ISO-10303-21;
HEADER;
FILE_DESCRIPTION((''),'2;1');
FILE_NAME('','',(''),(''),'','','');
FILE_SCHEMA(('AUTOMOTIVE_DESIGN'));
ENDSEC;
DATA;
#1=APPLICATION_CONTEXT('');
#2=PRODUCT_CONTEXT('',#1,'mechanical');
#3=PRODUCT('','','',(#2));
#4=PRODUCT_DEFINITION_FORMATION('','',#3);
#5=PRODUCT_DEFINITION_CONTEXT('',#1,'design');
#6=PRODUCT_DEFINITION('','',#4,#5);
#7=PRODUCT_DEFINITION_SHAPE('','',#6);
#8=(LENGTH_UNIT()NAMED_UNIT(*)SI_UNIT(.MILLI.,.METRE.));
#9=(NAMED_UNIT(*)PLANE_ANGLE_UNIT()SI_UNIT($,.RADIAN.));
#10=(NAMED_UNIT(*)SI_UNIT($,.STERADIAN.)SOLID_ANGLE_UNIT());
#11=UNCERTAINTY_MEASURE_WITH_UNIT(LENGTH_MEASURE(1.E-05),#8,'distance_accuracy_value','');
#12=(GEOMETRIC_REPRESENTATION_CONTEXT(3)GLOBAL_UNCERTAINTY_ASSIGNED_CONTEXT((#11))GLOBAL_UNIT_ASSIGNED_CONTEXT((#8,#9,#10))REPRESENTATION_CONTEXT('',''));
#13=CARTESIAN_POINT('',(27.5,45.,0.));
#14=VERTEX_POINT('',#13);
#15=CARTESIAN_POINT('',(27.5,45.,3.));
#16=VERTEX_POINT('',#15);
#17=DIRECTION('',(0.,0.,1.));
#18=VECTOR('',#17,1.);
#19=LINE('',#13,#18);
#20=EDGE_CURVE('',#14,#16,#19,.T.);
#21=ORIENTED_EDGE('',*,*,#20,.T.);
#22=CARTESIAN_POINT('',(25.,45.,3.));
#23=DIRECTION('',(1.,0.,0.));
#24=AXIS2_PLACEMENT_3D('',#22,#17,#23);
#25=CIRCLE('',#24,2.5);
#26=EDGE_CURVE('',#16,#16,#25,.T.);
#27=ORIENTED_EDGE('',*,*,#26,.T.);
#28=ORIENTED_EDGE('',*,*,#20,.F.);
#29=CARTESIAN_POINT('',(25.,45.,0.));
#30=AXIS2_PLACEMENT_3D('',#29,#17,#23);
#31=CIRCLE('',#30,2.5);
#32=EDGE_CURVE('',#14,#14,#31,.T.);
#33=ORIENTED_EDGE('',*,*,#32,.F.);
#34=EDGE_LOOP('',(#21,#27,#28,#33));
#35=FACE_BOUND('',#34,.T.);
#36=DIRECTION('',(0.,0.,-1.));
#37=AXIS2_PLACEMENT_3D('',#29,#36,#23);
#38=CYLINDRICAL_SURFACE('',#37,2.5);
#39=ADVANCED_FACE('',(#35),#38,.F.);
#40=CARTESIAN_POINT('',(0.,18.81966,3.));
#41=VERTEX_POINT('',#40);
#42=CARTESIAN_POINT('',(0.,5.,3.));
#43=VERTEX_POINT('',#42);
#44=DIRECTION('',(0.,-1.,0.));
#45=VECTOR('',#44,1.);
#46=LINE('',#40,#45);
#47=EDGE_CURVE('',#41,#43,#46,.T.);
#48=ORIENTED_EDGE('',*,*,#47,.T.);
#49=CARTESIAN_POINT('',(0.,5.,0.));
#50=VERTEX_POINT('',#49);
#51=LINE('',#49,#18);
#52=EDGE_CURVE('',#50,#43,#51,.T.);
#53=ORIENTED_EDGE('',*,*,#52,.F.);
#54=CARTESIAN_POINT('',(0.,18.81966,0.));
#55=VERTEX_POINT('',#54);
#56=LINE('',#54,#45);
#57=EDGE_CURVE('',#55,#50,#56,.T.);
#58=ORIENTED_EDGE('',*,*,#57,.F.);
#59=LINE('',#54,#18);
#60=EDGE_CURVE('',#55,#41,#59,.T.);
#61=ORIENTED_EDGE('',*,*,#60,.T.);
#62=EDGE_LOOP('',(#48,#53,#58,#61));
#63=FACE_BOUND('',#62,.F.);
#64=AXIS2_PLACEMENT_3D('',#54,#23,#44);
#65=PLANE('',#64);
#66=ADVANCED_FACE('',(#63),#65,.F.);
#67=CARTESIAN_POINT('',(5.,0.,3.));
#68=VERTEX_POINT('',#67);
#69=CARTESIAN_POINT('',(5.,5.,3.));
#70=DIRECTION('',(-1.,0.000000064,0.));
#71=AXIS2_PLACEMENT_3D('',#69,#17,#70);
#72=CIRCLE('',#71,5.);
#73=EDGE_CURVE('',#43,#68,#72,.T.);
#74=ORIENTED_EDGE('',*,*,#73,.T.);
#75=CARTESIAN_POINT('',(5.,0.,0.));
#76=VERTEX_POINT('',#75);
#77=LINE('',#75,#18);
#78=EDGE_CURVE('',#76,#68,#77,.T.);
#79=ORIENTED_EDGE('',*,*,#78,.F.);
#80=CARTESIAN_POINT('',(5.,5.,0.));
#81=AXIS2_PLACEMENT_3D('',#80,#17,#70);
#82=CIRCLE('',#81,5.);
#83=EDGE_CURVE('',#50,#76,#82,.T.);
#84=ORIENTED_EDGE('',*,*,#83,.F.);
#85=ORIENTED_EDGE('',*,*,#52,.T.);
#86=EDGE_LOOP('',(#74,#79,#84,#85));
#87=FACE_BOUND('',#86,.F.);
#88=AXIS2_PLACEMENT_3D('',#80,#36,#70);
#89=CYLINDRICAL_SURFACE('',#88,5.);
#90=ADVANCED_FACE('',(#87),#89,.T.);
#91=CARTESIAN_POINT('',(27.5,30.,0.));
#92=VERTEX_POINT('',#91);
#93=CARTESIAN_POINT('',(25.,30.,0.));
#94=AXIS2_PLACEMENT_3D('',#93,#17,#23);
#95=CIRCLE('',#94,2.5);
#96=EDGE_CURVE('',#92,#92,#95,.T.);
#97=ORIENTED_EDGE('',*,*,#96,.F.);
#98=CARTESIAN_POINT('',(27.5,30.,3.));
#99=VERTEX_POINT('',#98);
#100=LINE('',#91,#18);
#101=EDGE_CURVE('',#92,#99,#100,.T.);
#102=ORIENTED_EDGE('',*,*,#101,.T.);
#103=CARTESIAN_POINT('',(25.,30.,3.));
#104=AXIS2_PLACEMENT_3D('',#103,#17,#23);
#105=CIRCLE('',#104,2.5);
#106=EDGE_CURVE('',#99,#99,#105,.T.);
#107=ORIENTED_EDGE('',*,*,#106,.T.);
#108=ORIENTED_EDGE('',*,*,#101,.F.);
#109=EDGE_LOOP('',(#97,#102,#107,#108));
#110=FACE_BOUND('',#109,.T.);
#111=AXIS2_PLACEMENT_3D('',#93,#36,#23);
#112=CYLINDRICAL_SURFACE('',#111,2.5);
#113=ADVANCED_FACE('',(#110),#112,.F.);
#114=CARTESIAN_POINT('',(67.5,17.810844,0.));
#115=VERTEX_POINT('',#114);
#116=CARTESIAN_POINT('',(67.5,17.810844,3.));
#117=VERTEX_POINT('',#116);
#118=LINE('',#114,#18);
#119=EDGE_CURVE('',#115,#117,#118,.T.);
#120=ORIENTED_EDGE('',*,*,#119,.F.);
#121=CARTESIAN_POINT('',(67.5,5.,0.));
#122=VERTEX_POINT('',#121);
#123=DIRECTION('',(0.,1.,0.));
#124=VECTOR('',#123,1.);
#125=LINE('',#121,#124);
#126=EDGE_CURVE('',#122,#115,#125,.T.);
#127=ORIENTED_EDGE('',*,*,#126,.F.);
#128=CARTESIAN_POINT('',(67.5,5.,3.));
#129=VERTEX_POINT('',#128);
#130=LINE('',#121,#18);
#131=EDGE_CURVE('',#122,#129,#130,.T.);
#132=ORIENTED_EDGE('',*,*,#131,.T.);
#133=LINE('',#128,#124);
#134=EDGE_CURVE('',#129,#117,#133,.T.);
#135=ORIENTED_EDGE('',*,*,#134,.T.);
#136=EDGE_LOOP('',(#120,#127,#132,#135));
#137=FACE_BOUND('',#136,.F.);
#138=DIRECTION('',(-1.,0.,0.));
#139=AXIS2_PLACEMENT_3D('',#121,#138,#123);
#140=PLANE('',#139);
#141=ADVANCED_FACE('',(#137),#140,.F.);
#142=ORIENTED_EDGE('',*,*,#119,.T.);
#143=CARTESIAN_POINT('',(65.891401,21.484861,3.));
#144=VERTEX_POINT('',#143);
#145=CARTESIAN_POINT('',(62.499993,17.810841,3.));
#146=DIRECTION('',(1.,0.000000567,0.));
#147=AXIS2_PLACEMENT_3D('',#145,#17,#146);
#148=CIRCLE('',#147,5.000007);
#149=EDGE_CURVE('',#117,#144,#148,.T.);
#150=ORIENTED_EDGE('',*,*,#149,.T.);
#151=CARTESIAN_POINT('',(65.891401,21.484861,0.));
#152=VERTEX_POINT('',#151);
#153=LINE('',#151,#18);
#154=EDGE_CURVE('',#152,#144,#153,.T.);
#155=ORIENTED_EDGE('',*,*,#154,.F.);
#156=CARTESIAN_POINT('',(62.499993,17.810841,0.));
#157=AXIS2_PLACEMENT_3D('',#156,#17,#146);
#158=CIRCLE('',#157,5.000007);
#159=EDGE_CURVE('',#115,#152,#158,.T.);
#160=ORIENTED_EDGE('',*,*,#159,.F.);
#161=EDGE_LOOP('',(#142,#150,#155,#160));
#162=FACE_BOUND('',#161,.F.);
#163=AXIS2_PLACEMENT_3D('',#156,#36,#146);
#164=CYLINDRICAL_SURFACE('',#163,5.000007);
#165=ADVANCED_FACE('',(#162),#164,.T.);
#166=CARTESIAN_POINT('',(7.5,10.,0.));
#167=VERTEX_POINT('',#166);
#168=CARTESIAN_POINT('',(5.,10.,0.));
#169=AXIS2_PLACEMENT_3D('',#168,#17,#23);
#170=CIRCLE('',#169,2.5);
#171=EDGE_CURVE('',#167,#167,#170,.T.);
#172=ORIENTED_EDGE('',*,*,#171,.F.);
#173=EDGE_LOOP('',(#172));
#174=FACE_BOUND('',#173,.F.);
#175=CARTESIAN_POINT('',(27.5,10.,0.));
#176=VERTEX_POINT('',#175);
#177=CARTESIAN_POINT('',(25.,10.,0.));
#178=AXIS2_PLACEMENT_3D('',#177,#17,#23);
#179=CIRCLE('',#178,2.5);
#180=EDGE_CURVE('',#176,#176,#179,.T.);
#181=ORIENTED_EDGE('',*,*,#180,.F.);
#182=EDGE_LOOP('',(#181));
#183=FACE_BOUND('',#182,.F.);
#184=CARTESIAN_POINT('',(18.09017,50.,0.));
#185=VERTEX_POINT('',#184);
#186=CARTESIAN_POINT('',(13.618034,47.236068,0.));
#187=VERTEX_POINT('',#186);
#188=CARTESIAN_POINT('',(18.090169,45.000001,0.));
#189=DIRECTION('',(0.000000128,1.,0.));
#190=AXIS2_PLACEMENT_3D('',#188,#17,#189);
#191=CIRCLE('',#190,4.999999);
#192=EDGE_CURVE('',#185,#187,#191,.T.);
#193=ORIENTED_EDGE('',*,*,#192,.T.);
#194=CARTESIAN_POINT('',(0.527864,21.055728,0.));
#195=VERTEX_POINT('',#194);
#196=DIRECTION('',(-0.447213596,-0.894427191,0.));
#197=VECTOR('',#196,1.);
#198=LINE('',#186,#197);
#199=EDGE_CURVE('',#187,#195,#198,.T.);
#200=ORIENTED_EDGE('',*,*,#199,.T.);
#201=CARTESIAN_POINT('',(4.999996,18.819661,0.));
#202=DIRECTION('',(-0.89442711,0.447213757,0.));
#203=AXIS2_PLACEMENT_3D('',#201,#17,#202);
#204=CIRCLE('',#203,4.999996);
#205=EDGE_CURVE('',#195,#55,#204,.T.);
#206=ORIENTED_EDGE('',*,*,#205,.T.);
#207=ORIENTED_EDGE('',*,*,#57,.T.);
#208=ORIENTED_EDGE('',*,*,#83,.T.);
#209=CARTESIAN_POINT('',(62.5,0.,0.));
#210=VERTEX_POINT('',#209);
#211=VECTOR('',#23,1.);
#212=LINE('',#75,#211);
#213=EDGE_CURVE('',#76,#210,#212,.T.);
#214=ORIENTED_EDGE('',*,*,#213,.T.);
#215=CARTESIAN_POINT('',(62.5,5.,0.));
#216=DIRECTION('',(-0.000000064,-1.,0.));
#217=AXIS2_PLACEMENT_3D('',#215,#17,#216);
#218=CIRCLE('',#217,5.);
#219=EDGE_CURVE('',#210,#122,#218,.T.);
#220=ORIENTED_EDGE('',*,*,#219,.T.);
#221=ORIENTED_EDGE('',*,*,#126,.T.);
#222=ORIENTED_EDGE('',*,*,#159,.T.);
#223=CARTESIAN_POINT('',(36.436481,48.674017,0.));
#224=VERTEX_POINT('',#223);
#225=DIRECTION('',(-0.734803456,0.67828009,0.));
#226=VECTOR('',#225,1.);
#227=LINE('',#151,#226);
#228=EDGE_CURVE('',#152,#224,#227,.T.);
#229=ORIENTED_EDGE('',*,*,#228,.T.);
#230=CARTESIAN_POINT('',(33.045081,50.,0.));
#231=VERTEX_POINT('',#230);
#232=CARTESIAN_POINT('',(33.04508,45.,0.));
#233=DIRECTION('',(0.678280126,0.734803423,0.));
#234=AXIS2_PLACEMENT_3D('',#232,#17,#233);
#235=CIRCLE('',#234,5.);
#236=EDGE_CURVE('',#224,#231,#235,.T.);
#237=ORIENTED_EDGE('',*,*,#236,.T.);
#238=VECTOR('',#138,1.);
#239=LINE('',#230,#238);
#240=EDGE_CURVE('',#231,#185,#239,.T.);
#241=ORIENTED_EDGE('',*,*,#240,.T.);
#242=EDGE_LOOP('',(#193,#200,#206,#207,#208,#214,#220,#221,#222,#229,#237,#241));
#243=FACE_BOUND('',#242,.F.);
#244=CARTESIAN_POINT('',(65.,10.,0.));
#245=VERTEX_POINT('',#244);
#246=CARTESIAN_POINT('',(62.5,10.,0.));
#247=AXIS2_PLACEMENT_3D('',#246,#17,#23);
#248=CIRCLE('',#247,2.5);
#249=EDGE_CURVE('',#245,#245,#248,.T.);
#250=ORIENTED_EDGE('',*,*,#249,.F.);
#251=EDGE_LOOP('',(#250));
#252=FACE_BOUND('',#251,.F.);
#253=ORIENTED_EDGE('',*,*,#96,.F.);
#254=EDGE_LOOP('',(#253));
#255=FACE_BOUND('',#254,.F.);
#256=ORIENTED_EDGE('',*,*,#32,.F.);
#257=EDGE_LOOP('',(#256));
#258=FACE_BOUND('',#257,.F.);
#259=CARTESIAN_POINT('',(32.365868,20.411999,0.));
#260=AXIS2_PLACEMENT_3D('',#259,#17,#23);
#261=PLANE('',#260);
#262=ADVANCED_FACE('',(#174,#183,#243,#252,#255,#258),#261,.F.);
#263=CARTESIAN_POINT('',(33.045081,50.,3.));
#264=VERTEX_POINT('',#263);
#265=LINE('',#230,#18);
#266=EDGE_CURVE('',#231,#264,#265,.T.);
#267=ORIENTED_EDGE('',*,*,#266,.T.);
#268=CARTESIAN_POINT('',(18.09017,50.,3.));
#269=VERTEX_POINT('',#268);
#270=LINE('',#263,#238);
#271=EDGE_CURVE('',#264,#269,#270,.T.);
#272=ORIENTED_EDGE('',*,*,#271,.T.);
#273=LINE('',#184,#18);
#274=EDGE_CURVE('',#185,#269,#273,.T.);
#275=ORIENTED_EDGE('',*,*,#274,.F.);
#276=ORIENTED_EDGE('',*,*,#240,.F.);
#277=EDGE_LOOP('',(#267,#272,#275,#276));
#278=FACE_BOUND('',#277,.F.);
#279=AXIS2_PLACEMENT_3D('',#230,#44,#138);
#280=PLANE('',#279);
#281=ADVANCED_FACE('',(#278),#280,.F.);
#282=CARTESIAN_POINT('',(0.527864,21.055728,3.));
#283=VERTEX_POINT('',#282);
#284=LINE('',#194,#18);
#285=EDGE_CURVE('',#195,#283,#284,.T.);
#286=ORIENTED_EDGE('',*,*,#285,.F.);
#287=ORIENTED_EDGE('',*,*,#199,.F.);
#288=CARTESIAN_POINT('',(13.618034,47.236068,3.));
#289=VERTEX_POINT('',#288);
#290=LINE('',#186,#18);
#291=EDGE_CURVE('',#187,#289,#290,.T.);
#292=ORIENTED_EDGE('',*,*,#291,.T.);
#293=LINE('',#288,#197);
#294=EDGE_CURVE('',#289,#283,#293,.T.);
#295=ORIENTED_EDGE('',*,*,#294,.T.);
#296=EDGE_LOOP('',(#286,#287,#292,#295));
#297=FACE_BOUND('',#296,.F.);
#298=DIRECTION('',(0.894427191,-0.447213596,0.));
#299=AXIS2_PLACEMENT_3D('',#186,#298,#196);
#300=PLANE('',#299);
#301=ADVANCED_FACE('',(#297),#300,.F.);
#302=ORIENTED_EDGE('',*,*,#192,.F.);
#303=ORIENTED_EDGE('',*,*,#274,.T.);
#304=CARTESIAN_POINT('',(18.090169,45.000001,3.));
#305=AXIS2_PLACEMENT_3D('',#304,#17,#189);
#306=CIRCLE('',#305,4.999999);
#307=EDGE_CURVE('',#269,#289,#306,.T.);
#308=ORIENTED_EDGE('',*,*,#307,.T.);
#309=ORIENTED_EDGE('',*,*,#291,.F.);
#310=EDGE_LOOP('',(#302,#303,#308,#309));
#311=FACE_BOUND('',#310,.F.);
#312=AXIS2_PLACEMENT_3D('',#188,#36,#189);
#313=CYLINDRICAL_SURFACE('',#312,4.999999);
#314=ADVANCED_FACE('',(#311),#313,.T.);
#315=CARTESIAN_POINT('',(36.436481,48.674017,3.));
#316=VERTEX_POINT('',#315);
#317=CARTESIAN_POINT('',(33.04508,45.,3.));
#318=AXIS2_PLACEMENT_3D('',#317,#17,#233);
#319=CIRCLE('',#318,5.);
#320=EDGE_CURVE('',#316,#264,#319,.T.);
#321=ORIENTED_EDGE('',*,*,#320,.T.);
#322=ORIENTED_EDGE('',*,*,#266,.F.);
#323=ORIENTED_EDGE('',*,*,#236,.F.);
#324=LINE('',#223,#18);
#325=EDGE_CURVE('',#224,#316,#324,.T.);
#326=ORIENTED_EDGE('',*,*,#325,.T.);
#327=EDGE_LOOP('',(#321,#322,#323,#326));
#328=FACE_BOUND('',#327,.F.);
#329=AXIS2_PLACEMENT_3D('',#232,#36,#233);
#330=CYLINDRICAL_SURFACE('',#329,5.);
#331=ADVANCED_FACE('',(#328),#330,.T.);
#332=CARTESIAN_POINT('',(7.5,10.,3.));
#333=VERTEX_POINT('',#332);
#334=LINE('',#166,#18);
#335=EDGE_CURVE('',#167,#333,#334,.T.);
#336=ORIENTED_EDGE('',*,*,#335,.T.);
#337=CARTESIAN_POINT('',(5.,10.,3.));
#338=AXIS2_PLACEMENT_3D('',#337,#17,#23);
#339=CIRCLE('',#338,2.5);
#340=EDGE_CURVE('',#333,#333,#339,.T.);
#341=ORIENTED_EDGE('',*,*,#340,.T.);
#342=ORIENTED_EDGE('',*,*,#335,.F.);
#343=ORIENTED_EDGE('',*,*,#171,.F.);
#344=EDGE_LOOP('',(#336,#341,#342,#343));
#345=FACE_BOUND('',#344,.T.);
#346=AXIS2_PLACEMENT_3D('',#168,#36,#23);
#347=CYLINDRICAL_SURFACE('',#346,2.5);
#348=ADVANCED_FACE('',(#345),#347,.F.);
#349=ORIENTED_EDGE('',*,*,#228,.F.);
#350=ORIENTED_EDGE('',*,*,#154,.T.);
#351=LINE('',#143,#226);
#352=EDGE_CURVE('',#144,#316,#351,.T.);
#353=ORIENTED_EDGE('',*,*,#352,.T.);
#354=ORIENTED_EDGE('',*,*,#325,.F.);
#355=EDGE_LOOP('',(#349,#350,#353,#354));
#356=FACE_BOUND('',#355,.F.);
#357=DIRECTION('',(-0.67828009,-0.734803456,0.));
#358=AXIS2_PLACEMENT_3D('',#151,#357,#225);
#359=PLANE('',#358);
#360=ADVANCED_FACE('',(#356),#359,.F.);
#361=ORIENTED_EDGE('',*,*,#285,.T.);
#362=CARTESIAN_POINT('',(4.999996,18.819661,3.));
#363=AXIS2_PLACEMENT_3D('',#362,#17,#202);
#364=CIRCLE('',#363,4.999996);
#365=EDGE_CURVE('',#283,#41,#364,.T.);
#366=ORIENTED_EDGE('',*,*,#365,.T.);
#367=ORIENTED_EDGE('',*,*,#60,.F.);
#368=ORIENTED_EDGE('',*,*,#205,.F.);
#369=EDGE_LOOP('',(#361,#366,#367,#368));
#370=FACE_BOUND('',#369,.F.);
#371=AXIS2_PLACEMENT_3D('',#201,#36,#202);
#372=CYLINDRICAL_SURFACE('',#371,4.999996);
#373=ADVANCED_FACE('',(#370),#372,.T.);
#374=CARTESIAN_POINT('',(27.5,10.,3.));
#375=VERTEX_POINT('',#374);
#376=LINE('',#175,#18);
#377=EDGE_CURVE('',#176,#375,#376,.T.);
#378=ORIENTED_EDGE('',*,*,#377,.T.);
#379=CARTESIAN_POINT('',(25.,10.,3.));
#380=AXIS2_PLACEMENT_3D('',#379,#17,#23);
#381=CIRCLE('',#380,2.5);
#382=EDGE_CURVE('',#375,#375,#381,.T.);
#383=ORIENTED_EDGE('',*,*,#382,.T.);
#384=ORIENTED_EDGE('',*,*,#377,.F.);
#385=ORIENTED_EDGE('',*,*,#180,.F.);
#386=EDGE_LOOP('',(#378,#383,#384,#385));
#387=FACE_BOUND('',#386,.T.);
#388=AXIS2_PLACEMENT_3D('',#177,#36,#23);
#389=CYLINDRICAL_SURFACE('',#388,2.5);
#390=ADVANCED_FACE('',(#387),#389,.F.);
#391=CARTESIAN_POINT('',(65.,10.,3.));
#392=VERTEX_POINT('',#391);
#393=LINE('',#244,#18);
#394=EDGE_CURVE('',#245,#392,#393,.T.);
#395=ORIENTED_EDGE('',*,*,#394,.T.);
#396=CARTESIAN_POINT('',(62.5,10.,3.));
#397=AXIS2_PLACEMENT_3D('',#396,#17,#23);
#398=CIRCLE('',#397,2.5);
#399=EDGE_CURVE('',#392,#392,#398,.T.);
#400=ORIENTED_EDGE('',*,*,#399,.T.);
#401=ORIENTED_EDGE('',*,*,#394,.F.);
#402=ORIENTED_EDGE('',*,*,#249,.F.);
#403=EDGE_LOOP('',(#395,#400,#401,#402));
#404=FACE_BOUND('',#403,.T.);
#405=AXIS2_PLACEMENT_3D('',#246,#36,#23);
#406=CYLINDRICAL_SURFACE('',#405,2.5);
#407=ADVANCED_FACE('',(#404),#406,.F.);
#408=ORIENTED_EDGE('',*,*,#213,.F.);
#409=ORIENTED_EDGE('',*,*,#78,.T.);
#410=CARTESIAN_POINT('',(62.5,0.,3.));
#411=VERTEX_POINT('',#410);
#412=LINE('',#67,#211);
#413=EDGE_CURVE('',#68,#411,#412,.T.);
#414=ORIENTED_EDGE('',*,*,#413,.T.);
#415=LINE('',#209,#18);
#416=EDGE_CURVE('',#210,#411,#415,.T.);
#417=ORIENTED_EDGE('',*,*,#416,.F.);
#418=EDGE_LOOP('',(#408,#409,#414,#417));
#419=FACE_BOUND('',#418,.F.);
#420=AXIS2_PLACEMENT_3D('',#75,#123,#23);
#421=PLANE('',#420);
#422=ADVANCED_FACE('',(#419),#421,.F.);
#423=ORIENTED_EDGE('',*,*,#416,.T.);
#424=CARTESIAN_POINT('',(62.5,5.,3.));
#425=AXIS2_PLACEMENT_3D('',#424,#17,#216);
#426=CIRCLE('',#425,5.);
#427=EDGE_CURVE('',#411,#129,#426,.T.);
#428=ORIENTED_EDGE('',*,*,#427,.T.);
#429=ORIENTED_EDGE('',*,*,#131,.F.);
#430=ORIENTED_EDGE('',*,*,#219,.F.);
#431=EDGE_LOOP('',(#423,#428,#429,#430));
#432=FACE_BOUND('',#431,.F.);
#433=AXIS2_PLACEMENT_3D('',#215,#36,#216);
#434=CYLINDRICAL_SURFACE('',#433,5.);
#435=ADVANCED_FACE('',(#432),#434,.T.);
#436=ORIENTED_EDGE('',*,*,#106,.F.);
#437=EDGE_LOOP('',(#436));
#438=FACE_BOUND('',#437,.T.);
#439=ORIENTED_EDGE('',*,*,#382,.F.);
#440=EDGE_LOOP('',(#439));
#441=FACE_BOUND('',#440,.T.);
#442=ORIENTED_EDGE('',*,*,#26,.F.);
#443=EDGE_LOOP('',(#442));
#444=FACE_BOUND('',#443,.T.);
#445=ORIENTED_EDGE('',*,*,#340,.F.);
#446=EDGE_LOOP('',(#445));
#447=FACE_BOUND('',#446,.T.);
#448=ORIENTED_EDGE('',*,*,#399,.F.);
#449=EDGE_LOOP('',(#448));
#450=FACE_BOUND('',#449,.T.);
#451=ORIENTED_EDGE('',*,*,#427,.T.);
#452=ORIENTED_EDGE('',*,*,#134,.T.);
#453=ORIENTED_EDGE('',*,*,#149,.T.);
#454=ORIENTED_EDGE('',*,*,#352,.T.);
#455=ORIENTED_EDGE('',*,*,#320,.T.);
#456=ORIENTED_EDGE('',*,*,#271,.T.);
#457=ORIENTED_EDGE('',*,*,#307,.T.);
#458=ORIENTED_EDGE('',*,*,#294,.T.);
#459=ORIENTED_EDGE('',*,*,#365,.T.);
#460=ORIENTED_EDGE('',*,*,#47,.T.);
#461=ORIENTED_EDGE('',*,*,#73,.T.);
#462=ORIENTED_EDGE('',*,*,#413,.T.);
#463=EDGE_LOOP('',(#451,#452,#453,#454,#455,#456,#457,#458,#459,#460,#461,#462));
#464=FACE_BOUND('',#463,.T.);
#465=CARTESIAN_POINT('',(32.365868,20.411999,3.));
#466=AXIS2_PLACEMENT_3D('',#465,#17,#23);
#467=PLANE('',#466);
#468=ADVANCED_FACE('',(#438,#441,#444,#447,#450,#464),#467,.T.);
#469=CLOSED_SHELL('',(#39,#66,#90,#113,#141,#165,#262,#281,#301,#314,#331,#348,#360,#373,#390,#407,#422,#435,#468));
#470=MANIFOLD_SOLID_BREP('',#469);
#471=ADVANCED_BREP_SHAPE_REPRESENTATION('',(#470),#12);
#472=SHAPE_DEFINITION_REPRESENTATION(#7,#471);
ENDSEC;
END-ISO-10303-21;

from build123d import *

# Parameters (mm, degrees)
F0_R     = 2.5
F1_DEPTH = 3


with BuildPart() as f1:
    # F0 (on Top) → F1 (new body)
    with BuildSketch(Plane.XY):
        with BuildLine():
            Line((0, 18.81966), (0, 5))
            ThreePointArc((0, 5), (1.464466, 1.464466), (5, 0))
            Line((5, 0), (62.5, 0))
            ThreePointArc((62.5, 0), (66.035534, 1.464466), (67.5, 5))
            Line((67.5, 5), (67.5, 17.810844))
            ThreePointArc((67.5, 17.810844), (67.080229, 19.816211), (65.891401, 21.484861))
            Line((65.891401, 21.484861), (36.436481, 48.674017))
            ThreePointArc((36.436481, 48.674017), (34.865783, 49.65672), (33.045081, 50))
            Line((33.045081, 50), (18.09017, 50))
            ThreePointArc((18.09017, 50), (15.461514, 49.253254), (13.618034, 47.236068))
            Line((13.618034, 47.236068), (0.527864, 21.055728))
            ThreePointArc((0.527864, 21.055728), (0.133755, 19.968425), (0, 18.81966))
        make_face()
        with Locations((5, 10)):
            Circle(F0_R, mode=Mode.SUBTRACT)
        with Locations((25, 10)):
            Circle(F0_R, mode=Mode.SUBTRACT)
        with Locations((62.5, 10)):
            Circle(F0_R, mode=Mode.SUBTRACT)
        with Locations((25, 30)):
            Circle(F0_R, mode=Mode.SUBTRACT)
        with Locations((25, 45)):
            Circle(F0_R, mode=Mode.SUBTRACT)
    extrude(amount=F1_DEPTH)


solid = f1.part
